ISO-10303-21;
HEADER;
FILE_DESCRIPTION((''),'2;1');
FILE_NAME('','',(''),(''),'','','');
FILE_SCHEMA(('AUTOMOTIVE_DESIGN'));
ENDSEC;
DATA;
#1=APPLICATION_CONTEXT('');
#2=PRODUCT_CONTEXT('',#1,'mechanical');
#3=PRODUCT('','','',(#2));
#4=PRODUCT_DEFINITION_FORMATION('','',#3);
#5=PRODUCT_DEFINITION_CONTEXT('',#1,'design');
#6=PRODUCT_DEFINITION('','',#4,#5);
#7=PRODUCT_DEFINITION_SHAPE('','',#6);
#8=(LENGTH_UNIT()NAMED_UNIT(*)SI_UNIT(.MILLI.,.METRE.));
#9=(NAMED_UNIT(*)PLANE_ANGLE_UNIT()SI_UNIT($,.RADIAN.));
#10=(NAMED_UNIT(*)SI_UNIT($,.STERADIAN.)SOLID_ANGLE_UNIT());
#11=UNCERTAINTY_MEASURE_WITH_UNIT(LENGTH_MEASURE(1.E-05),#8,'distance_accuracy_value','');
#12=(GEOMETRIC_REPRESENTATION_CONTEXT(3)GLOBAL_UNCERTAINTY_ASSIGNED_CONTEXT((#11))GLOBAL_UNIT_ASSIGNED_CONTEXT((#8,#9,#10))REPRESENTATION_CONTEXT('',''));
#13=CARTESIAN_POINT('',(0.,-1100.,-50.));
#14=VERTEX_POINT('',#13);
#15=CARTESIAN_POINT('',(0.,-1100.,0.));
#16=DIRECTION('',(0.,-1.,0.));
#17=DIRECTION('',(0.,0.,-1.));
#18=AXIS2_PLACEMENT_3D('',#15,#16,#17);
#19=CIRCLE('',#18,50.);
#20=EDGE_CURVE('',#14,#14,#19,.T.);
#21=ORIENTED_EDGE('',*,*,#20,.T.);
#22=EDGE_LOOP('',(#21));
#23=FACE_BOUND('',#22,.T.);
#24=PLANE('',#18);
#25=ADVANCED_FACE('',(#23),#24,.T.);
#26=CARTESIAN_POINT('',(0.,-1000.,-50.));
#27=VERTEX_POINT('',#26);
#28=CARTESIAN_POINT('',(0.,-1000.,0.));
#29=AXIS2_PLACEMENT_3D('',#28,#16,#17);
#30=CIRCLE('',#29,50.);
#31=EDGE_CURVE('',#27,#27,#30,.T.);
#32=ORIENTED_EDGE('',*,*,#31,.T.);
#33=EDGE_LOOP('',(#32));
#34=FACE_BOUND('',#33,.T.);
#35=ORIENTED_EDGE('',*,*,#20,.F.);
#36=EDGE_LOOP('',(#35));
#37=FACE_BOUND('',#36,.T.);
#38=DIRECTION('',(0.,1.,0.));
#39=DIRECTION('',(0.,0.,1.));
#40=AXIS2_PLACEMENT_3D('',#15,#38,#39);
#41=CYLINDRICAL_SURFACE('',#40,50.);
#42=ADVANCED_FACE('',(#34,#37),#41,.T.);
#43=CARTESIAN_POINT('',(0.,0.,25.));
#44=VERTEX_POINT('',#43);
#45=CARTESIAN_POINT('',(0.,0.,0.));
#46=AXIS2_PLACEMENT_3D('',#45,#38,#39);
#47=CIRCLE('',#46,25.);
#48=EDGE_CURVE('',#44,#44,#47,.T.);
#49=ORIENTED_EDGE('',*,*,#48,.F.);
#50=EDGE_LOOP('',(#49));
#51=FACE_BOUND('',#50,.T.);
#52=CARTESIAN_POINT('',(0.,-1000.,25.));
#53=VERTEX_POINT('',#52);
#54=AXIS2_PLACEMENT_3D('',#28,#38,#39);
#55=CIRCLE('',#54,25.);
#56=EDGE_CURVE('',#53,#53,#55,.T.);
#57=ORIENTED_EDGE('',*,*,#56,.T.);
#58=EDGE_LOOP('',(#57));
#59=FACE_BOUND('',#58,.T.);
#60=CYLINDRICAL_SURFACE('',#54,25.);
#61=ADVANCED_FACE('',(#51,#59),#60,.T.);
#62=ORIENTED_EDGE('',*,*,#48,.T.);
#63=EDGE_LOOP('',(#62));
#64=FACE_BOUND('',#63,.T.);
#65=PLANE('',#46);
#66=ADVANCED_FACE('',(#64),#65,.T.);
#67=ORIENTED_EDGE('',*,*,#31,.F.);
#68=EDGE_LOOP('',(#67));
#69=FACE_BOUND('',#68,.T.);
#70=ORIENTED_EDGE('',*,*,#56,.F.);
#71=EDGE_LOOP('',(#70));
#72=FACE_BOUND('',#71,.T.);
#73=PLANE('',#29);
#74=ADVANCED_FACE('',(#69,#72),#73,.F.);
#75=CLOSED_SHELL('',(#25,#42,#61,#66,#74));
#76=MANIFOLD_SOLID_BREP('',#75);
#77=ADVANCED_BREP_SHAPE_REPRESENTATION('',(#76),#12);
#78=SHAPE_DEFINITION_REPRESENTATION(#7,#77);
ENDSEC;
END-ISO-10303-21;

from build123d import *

# Parameters (mm, degrees)
SKETCH1_R           = 0.25
BOSS_EXTRUDE1_DEPTH = 10
SKETCH2_R           = 0.5
BOSS_EXTRUDE2_DEPTH = 1
SCALE1_SCALE        = 100


with BuildPart() as part:
    # Sketch1 → Boss-Extrude1 (new body)
    with BuildSketch(Plane(origin=(0, 0, 0), x_dir=(1, 0, 0), z_dir=(0, 1, 0))):
        Circle(SKETCH1_R)
    extrude(amount=-BOSS_EXTRUDE1_DEPTH)

    # Sketch2 → Boss-Extrude2 (add)
    with BuildSketch(Plane.XZ.offset(10)):
        Circle(SKETCH2_R)
    extrude(amount=BOSS_EXTRUDE2_DEPTH)


with BuildPart() as part_1:
    # Scale1: scaled about (0, 0, 0)
    add(part.part.scale(SCALE1_SCALE))


solid = part_1.part
